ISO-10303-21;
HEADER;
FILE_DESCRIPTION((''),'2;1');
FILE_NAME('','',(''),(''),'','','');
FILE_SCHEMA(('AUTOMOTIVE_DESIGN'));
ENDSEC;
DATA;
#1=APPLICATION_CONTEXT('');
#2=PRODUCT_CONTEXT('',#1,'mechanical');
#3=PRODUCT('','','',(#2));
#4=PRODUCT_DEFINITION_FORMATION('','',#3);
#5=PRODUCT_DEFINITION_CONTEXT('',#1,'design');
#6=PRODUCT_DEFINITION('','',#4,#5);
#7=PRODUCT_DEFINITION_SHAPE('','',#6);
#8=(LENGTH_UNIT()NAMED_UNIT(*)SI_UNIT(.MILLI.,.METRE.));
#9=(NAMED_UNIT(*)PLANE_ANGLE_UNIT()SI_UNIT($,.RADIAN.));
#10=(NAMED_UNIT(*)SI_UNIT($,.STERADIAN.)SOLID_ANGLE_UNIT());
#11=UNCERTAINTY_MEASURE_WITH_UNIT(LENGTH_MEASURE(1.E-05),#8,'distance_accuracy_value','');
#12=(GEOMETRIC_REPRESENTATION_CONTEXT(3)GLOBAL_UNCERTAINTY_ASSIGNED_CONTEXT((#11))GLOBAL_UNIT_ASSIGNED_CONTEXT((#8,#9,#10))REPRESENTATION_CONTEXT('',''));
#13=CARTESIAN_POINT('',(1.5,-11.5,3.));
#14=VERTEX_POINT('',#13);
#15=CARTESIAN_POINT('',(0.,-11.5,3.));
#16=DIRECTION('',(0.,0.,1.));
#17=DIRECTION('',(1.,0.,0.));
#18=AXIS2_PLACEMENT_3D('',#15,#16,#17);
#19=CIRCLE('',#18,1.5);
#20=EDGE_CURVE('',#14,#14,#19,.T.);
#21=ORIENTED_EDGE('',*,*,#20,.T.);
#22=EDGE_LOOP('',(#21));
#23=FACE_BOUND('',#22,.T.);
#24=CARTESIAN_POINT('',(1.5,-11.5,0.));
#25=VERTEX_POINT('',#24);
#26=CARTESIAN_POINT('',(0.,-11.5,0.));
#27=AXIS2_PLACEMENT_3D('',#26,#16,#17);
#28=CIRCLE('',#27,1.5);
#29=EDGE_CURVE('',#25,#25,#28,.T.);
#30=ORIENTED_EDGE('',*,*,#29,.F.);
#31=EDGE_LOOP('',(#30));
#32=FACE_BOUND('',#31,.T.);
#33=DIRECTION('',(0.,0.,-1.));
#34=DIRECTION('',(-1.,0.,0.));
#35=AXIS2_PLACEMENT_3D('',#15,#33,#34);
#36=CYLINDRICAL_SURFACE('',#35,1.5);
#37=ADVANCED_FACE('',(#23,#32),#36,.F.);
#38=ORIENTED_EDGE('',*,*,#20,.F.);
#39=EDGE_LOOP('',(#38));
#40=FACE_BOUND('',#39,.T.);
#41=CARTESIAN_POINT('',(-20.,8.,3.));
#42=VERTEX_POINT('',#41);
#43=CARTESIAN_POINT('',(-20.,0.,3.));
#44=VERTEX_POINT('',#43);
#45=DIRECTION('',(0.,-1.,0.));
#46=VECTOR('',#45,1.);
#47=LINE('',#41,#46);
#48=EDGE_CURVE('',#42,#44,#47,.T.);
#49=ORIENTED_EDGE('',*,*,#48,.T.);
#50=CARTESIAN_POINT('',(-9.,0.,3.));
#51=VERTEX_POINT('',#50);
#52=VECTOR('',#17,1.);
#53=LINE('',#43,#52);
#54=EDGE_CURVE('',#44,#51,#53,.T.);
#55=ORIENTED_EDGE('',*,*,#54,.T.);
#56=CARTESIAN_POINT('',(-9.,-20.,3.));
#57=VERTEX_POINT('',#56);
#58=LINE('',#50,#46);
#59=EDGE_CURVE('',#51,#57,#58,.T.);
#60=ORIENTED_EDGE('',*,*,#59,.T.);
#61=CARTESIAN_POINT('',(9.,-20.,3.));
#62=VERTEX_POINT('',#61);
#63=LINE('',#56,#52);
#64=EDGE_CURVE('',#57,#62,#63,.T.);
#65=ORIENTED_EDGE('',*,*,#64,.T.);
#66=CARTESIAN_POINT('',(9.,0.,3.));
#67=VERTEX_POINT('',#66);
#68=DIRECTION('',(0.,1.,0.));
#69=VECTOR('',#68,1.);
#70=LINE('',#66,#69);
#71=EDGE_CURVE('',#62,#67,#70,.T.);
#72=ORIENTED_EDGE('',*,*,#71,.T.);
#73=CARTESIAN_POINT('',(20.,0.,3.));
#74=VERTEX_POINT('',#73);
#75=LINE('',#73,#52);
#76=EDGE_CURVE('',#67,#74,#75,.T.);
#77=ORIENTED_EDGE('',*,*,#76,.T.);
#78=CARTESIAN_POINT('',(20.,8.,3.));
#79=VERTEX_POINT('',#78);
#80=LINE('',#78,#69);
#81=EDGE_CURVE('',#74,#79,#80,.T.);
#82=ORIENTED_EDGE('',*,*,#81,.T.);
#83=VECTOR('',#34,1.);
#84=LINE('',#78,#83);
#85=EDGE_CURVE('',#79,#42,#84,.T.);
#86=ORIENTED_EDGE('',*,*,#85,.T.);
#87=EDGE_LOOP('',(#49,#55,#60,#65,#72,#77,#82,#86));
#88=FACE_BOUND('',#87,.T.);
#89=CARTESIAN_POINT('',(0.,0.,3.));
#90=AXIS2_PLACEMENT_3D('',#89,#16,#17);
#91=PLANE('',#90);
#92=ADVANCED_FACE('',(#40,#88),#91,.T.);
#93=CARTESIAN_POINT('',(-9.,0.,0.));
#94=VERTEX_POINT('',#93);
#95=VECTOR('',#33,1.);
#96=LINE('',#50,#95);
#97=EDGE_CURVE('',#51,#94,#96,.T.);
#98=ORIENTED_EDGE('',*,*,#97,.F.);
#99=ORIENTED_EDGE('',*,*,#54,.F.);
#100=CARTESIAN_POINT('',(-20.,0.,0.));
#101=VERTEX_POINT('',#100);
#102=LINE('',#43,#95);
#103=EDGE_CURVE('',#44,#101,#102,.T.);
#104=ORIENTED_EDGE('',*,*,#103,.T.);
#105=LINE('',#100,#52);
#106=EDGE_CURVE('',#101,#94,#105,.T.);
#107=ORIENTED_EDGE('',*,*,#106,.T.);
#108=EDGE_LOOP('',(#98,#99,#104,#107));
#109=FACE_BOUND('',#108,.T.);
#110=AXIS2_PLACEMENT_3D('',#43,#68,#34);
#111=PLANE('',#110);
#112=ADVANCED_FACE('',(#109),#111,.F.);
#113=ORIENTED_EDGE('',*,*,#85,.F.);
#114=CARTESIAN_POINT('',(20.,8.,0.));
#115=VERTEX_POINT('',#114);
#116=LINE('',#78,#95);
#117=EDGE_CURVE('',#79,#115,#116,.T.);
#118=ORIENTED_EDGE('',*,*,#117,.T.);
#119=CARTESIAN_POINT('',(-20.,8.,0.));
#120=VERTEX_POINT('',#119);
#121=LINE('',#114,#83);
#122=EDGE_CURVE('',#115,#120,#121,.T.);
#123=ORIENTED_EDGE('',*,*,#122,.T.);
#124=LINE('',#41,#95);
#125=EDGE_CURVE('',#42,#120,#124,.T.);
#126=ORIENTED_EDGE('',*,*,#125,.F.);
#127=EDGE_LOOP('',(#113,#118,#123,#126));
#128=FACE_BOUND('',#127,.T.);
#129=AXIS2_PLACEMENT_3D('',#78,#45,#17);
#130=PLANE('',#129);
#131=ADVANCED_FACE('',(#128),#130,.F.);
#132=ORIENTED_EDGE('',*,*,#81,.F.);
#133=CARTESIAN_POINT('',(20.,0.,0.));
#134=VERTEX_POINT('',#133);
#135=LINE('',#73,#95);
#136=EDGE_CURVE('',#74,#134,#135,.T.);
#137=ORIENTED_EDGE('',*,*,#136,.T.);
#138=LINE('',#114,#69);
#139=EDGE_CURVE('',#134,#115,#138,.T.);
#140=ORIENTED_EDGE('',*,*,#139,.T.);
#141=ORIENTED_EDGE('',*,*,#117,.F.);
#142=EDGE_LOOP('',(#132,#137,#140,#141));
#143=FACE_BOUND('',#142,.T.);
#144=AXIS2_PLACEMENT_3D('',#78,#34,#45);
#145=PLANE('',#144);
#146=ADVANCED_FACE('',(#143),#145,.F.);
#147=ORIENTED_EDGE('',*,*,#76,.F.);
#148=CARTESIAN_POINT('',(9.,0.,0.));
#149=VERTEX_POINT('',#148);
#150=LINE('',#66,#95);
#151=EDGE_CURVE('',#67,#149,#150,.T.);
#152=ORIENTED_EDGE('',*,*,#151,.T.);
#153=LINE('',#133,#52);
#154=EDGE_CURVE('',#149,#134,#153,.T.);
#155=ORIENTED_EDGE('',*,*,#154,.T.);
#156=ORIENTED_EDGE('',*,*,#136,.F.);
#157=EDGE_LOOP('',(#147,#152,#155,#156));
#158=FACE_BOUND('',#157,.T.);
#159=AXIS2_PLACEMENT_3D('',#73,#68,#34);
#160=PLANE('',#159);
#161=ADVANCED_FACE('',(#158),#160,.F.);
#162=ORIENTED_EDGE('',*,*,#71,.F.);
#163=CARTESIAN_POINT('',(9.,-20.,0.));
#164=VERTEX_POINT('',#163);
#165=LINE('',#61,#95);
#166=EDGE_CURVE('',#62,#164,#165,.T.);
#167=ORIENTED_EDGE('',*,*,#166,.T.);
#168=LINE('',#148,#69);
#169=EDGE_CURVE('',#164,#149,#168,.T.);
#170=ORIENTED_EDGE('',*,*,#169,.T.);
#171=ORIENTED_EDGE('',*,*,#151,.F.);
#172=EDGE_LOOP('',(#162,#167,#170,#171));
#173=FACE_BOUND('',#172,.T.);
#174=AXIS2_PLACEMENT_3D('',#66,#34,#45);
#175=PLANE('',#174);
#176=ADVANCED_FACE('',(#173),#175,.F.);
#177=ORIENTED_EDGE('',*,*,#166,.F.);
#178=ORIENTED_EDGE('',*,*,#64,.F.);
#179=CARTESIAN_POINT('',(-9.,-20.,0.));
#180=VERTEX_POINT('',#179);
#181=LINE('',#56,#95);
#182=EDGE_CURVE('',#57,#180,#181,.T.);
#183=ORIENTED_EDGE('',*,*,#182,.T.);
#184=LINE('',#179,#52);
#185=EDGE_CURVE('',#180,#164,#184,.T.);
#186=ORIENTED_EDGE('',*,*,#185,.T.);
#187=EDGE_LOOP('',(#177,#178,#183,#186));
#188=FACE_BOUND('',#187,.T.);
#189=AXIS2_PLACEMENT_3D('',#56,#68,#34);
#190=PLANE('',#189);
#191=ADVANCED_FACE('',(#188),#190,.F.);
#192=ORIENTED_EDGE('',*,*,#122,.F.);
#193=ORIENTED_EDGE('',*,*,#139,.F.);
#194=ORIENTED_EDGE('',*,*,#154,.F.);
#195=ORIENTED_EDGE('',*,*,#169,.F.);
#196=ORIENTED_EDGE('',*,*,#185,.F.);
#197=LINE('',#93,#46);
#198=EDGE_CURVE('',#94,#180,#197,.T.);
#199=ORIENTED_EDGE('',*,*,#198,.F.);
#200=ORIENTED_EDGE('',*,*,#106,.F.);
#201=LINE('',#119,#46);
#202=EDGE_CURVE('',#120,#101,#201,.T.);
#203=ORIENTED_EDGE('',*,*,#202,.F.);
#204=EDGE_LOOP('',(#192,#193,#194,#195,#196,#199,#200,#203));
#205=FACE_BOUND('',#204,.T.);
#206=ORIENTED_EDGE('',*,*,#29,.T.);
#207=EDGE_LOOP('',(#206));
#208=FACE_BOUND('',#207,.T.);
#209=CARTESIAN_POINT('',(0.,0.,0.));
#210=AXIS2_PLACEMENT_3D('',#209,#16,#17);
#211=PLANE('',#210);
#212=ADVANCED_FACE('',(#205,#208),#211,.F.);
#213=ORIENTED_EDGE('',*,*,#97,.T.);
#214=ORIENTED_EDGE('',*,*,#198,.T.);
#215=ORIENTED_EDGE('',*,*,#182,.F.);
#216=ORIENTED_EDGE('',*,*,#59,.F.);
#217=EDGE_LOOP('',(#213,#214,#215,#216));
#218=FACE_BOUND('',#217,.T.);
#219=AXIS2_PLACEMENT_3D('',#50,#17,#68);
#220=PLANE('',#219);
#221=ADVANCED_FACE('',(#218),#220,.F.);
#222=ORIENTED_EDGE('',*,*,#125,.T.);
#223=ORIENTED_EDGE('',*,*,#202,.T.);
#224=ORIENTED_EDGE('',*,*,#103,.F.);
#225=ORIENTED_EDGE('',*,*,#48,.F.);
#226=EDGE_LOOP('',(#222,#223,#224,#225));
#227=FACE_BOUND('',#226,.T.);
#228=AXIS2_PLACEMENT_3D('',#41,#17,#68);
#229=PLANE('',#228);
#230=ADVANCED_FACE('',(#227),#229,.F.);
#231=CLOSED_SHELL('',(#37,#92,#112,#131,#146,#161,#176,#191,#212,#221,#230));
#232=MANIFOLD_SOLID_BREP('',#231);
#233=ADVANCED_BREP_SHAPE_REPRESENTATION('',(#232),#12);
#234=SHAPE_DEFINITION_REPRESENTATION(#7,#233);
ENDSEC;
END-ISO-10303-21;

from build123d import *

# Parameters (mm, degrees)
SKETCH1_R           = 1.5
BOSS_EXTRUDE1_DEPTH = 3


with BuildPart() as part:
    # Sketch1 → Boss-Extrude1 (new body)
    with BuildSketch(Plane.XY):
        Polygon((20, 8), (-20, 8), (-20, 0), (-9, 0), (-9, -20), (9, -20), (9, 0), (20, 0), align=None)
        with Locations((0, -11.5)):
            Circle(SKETCH1_R, mode=Mode.SUBTRACT)
    extrude(amount=BOSS_EXTRUDE1_DEPTH)


solid = part.part
